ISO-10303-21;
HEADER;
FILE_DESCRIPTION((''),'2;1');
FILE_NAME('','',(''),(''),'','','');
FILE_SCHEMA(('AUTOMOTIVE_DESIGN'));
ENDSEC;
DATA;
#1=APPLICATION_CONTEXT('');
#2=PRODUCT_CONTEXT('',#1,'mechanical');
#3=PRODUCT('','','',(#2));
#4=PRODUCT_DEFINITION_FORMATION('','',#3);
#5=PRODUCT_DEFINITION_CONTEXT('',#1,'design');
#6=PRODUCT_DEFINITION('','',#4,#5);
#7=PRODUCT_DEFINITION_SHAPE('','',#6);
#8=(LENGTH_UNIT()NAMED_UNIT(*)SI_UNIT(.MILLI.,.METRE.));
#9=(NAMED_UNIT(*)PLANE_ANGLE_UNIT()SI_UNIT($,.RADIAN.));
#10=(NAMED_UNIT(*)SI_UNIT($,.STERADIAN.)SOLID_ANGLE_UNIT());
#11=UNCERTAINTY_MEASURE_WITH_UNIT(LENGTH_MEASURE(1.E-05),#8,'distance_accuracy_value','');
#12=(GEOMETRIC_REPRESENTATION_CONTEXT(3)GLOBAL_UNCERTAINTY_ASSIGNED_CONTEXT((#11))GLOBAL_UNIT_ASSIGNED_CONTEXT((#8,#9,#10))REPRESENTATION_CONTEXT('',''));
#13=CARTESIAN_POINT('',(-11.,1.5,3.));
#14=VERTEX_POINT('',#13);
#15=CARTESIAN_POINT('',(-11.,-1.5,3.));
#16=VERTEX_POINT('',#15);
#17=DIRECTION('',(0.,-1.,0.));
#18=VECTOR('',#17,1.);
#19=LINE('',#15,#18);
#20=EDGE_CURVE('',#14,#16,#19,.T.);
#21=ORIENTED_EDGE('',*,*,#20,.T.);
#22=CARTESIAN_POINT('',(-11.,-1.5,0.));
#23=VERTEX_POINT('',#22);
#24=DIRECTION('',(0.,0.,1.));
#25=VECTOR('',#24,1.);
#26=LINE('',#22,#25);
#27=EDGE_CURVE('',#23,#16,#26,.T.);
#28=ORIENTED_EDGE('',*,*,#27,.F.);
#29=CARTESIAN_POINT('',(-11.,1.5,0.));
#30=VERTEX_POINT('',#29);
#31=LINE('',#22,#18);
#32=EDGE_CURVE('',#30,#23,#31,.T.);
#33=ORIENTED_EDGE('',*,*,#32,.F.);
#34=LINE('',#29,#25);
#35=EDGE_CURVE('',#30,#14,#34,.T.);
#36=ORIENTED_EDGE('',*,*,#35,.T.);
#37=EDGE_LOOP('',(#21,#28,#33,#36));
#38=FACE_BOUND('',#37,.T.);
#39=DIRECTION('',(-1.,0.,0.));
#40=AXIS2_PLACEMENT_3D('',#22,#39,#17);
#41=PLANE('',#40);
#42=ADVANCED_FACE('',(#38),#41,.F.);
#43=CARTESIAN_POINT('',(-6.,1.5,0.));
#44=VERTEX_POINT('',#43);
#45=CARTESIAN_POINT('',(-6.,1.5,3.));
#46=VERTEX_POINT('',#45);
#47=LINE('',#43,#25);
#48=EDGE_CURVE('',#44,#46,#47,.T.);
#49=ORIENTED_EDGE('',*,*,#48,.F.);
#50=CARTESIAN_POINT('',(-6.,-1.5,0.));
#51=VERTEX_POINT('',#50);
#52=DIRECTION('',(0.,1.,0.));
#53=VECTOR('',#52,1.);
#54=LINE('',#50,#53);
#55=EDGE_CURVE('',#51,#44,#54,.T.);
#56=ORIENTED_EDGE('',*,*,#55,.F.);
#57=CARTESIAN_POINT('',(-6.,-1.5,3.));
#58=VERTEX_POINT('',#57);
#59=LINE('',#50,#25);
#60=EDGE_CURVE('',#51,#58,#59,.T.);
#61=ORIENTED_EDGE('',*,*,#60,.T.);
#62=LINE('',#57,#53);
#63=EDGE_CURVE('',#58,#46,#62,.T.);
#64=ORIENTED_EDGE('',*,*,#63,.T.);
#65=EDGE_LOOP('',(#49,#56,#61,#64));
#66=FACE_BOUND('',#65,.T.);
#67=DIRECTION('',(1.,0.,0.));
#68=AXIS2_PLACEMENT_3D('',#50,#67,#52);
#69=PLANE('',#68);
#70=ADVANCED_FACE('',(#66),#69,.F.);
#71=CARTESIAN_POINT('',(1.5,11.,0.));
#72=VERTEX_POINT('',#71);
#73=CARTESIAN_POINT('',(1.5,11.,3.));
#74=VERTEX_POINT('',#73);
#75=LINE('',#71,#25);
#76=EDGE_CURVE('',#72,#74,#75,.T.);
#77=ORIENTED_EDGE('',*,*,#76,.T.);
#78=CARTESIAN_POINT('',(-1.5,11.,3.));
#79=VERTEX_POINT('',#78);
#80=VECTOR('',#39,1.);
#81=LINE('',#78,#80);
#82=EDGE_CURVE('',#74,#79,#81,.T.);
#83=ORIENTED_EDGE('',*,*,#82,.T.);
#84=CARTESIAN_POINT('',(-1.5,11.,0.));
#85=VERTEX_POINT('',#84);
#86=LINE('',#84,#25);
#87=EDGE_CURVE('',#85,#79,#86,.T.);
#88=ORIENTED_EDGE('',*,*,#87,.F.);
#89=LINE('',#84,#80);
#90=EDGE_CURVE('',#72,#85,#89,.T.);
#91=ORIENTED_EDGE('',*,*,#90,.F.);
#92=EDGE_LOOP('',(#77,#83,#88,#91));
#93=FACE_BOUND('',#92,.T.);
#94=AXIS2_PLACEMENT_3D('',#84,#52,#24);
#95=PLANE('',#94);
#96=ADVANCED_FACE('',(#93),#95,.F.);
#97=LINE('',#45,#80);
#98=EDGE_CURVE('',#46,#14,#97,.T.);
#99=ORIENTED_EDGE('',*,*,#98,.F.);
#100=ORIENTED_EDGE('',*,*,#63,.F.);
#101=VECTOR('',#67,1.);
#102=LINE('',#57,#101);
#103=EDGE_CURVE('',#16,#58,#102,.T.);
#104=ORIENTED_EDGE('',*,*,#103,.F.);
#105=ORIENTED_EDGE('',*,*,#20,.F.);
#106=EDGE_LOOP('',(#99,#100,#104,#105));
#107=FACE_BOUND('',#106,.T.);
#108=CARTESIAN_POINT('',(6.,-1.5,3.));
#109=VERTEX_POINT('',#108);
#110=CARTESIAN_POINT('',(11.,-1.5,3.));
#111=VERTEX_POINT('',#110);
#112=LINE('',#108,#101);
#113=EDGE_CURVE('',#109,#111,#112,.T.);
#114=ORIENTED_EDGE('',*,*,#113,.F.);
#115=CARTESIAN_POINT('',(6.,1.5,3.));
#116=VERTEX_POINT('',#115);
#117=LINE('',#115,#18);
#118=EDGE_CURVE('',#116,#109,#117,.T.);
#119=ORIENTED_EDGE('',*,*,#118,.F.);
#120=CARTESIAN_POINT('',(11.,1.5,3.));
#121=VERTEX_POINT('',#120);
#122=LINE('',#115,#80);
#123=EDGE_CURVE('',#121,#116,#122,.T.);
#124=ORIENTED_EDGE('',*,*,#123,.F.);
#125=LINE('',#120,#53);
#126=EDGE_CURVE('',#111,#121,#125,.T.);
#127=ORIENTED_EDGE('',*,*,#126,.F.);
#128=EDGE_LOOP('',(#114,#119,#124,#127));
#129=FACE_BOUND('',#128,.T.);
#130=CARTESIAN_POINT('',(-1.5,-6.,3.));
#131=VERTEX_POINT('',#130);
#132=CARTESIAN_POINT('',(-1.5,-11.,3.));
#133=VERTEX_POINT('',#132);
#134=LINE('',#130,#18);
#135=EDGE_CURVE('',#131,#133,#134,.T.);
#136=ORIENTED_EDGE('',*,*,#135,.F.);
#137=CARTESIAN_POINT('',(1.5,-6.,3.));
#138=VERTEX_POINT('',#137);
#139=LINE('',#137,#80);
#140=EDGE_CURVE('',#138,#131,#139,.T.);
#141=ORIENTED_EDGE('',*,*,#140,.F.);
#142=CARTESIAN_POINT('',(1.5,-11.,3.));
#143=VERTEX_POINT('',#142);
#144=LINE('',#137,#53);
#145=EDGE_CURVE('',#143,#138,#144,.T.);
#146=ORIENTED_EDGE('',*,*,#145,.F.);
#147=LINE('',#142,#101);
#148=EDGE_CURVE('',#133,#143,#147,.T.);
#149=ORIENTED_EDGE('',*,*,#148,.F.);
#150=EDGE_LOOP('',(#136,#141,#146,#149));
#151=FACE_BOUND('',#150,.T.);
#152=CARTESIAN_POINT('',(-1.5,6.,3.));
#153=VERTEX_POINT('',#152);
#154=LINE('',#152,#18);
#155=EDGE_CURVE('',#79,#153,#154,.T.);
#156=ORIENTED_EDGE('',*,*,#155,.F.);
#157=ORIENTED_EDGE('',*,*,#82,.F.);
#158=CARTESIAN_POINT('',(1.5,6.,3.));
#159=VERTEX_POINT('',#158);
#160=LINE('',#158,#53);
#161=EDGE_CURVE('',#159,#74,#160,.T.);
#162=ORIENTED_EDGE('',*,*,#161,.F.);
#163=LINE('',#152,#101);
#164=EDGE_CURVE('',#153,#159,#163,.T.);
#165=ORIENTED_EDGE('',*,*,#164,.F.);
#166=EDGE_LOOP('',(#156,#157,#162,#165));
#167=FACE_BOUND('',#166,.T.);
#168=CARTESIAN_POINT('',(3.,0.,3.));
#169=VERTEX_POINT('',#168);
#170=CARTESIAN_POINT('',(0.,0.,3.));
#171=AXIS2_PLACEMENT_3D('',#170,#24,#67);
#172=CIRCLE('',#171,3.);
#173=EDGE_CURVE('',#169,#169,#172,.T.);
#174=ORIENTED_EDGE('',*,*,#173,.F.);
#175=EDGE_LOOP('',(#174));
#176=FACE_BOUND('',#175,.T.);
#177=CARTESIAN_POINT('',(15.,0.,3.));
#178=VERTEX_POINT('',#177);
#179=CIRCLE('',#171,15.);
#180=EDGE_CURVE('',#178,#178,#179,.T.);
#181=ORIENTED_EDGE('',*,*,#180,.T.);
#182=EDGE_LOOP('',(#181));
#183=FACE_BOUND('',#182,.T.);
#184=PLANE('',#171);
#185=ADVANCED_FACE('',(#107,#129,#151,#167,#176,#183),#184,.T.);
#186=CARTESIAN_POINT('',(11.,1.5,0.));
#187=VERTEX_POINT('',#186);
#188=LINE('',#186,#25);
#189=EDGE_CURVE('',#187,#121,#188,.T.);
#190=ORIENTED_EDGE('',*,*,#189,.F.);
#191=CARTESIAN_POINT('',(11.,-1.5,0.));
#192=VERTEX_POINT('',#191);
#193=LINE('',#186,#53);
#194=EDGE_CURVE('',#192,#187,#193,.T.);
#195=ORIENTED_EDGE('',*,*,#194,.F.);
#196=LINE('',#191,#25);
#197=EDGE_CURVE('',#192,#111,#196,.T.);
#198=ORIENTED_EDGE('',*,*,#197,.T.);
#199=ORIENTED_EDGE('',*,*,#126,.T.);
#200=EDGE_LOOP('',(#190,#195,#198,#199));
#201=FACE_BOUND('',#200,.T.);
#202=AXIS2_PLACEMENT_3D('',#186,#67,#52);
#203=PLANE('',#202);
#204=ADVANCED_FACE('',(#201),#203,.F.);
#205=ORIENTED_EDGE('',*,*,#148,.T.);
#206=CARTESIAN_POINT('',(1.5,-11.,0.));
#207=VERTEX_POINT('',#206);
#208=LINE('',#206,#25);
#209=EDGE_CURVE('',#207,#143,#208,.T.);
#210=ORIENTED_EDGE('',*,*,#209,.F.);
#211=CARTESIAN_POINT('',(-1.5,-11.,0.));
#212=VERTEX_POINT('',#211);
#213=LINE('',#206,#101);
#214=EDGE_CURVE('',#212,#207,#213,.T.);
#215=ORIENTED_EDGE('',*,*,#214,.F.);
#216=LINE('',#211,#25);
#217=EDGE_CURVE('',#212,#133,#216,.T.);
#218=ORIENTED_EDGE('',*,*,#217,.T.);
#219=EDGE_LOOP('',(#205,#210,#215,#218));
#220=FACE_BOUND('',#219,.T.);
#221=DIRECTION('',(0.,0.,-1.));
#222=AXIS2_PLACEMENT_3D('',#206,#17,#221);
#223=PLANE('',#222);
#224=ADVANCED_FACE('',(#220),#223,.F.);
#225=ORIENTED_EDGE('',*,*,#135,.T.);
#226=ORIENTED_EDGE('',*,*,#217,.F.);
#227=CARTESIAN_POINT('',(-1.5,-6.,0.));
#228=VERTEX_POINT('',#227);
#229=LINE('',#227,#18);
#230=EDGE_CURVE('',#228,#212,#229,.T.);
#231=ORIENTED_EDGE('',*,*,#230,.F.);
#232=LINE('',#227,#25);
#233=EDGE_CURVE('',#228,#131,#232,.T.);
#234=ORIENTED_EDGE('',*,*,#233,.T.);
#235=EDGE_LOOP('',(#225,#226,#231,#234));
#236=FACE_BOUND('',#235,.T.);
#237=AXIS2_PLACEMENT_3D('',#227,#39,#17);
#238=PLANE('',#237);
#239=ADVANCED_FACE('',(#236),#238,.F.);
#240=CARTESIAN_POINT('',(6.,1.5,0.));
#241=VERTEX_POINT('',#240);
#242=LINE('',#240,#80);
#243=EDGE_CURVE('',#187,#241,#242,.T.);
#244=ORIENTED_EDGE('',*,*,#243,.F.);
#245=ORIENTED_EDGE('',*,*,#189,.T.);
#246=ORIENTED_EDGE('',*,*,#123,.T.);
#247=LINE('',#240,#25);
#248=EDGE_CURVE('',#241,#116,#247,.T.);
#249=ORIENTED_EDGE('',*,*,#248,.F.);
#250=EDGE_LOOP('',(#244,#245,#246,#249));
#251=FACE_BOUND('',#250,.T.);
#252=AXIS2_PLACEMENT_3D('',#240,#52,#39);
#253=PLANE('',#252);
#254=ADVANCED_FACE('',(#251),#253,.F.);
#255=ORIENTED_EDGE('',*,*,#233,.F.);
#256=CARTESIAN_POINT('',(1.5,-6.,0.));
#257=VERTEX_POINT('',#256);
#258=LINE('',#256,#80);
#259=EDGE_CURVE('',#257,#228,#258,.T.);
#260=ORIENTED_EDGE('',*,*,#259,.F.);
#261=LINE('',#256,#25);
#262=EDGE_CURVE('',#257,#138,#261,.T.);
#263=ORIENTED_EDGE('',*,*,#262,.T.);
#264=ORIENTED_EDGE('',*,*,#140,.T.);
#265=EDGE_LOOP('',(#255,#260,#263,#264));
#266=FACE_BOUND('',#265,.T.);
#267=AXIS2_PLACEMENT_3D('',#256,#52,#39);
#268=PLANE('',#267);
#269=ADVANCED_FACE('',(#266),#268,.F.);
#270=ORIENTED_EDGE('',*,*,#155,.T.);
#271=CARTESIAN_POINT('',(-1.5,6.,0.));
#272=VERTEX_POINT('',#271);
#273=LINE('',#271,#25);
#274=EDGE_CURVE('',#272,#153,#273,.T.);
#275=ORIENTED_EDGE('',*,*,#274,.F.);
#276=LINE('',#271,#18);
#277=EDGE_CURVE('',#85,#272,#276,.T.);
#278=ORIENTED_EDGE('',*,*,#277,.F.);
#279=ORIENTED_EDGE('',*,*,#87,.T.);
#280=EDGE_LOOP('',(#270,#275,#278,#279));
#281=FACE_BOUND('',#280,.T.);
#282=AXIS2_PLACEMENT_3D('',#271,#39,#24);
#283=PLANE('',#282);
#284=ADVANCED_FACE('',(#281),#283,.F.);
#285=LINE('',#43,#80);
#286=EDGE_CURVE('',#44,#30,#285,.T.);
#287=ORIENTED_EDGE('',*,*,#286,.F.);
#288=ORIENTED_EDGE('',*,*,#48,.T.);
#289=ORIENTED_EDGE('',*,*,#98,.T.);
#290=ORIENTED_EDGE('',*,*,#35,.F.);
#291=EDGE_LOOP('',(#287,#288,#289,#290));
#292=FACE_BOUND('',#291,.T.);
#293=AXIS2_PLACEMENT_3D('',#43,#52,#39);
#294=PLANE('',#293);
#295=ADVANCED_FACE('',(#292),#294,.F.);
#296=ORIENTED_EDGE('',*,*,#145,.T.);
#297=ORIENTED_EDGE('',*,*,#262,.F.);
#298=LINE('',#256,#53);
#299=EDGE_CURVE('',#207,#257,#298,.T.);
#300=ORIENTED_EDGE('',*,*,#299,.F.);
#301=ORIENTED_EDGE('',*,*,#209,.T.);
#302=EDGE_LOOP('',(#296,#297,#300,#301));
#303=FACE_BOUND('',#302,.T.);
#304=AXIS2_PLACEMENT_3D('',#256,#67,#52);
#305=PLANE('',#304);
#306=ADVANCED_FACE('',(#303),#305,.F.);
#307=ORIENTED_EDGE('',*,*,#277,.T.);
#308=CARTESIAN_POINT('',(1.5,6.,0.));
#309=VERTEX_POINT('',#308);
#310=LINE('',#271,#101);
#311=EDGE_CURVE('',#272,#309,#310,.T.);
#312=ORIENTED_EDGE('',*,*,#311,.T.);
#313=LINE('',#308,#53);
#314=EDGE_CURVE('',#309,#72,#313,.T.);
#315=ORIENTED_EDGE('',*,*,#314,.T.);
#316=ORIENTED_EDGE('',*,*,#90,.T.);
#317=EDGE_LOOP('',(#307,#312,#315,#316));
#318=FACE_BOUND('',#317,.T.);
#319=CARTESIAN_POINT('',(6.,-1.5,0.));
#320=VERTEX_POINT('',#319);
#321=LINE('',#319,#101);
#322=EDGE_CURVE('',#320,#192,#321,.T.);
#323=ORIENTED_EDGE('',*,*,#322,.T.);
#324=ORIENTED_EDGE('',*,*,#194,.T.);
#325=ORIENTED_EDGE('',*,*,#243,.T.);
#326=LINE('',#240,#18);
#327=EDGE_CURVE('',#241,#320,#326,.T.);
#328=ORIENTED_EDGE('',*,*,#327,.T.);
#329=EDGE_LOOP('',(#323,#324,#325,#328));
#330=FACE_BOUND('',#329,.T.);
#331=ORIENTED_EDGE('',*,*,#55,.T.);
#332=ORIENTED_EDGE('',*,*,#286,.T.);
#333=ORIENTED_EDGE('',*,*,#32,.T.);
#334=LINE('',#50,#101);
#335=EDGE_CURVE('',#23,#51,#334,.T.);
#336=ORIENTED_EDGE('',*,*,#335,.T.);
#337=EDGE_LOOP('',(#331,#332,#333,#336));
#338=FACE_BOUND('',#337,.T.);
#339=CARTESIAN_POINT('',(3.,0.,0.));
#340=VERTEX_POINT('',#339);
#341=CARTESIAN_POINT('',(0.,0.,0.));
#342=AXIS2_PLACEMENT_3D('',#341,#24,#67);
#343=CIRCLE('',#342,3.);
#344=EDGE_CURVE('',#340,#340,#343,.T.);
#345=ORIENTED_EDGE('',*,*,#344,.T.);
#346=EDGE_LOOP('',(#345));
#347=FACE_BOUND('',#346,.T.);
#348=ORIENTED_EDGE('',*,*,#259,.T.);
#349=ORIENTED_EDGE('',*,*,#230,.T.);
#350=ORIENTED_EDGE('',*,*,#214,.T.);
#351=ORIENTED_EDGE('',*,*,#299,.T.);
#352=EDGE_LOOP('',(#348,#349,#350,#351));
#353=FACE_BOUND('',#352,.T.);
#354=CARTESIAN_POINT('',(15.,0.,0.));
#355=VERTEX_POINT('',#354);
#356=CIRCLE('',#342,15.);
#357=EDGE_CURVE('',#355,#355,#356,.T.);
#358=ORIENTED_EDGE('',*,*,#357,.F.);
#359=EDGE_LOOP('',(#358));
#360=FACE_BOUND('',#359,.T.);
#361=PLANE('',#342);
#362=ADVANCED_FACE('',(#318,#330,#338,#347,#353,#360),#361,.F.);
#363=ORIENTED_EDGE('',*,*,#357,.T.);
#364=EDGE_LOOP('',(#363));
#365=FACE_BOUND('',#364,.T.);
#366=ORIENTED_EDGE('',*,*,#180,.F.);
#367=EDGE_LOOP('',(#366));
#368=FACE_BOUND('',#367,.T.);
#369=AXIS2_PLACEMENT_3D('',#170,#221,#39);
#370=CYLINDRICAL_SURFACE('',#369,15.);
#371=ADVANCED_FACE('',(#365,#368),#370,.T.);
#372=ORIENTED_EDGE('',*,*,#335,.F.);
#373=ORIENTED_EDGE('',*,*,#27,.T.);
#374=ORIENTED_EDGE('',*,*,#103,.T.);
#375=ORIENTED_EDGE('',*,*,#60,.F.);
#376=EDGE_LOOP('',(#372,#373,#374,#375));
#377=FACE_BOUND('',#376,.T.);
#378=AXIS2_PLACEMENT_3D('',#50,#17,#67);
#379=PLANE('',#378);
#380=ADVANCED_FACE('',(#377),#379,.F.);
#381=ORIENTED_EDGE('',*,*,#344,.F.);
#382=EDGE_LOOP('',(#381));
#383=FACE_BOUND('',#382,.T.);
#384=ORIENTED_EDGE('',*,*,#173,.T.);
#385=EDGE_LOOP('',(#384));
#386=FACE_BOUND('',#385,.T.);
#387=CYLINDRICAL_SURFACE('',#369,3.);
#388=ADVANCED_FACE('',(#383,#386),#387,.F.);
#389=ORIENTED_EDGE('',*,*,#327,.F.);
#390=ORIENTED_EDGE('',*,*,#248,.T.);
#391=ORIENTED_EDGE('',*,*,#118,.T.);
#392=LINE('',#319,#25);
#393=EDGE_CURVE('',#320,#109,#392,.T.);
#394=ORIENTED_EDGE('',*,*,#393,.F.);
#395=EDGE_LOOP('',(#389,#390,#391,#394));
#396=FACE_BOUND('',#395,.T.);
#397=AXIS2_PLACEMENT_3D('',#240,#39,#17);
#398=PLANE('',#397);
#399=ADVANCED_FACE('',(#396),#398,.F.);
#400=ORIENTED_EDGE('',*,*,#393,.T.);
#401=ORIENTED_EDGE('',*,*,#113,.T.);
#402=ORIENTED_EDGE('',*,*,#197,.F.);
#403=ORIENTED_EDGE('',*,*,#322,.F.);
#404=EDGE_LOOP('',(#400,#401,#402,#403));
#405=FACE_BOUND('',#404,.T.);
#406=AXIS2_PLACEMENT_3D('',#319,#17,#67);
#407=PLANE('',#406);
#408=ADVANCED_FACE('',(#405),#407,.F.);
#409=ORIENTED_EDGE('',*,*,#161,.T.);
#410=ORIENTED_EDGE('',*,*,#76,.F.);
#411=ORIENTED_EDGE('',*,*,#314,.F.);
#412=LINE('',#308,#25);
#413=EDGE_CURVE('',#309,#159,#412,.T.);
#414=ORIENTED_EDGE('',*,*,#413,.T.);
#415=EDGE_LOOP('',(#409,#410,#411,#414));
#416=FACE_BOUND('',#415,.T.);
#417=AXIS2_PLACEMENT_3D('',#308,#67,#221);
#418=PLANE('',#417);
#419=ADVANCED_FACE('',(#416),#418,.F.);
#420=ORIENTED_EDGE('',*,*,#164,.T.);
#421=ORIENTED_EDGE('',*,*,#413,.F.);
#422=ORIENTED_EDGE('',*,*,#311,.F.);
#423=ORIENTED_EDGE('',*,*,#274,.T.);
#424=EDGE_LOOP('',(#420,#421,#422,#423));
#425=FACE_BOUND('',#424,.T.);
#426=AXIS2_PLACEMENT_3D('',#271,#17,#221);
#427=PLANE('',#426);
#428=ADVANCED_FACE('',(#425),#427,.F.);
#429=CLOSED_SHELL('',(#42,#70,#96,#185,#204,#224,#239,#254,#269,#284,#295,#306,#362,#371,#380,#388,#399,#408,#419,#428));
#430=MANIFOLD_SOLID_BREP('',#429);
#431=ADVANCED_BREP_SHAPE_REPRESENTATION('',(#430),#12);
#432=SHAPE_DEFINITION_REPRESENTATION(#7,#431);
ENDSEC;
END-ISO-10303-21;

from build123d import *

# Parameters (mm, degrees)
SKETCH1_R           = 15
SKETCH1_R_2         = 3
BOSS_EXTRUDE1_DEPTH = 3
SKETCH2_W           = 5
SKETCH2_H           = 3
SKETCH2_W_2         = 3
SKETCH2_H_2         = 5
CUT_EXTRUDE1_DEPTH  = 3


with BuildPart() as part:
    # Sketch1 → Boss-Extrude1 (new body)
    with BuildSketch(Plane.XY):
        Circle(SKETCH1_R)
        Circle(SKETCH1_R_2, mode=Mode.SUBTRACT)
    extrude(amount=BOSS_EXTRUDE1_DEPTH)

    # Sketch2 → Cut-Extrude1 (cut)
    with BuildSketch(Plane.XY.offset(3)):
        with Locations((8.5, 0)):
            Rectangle(SKETCH2_W, SKETCH2_H)
        with Locations((0, 8.5)):
            Rectangle(SKETCH2_W_2, SKETCH2_H_2)
        with Locations((0, -8.5)):
            Rectangle(SKETCH2_W_2, SKETCH2_H_2)
        with Locations((-8.5, 0)):
            Rectangle(SKETCH2_W, SKETCH2_H)
    extrude(amount=-CUT_EXTRUDE1_DEPTH, mode=Mode.SUBTRACT)


solid = part.part
